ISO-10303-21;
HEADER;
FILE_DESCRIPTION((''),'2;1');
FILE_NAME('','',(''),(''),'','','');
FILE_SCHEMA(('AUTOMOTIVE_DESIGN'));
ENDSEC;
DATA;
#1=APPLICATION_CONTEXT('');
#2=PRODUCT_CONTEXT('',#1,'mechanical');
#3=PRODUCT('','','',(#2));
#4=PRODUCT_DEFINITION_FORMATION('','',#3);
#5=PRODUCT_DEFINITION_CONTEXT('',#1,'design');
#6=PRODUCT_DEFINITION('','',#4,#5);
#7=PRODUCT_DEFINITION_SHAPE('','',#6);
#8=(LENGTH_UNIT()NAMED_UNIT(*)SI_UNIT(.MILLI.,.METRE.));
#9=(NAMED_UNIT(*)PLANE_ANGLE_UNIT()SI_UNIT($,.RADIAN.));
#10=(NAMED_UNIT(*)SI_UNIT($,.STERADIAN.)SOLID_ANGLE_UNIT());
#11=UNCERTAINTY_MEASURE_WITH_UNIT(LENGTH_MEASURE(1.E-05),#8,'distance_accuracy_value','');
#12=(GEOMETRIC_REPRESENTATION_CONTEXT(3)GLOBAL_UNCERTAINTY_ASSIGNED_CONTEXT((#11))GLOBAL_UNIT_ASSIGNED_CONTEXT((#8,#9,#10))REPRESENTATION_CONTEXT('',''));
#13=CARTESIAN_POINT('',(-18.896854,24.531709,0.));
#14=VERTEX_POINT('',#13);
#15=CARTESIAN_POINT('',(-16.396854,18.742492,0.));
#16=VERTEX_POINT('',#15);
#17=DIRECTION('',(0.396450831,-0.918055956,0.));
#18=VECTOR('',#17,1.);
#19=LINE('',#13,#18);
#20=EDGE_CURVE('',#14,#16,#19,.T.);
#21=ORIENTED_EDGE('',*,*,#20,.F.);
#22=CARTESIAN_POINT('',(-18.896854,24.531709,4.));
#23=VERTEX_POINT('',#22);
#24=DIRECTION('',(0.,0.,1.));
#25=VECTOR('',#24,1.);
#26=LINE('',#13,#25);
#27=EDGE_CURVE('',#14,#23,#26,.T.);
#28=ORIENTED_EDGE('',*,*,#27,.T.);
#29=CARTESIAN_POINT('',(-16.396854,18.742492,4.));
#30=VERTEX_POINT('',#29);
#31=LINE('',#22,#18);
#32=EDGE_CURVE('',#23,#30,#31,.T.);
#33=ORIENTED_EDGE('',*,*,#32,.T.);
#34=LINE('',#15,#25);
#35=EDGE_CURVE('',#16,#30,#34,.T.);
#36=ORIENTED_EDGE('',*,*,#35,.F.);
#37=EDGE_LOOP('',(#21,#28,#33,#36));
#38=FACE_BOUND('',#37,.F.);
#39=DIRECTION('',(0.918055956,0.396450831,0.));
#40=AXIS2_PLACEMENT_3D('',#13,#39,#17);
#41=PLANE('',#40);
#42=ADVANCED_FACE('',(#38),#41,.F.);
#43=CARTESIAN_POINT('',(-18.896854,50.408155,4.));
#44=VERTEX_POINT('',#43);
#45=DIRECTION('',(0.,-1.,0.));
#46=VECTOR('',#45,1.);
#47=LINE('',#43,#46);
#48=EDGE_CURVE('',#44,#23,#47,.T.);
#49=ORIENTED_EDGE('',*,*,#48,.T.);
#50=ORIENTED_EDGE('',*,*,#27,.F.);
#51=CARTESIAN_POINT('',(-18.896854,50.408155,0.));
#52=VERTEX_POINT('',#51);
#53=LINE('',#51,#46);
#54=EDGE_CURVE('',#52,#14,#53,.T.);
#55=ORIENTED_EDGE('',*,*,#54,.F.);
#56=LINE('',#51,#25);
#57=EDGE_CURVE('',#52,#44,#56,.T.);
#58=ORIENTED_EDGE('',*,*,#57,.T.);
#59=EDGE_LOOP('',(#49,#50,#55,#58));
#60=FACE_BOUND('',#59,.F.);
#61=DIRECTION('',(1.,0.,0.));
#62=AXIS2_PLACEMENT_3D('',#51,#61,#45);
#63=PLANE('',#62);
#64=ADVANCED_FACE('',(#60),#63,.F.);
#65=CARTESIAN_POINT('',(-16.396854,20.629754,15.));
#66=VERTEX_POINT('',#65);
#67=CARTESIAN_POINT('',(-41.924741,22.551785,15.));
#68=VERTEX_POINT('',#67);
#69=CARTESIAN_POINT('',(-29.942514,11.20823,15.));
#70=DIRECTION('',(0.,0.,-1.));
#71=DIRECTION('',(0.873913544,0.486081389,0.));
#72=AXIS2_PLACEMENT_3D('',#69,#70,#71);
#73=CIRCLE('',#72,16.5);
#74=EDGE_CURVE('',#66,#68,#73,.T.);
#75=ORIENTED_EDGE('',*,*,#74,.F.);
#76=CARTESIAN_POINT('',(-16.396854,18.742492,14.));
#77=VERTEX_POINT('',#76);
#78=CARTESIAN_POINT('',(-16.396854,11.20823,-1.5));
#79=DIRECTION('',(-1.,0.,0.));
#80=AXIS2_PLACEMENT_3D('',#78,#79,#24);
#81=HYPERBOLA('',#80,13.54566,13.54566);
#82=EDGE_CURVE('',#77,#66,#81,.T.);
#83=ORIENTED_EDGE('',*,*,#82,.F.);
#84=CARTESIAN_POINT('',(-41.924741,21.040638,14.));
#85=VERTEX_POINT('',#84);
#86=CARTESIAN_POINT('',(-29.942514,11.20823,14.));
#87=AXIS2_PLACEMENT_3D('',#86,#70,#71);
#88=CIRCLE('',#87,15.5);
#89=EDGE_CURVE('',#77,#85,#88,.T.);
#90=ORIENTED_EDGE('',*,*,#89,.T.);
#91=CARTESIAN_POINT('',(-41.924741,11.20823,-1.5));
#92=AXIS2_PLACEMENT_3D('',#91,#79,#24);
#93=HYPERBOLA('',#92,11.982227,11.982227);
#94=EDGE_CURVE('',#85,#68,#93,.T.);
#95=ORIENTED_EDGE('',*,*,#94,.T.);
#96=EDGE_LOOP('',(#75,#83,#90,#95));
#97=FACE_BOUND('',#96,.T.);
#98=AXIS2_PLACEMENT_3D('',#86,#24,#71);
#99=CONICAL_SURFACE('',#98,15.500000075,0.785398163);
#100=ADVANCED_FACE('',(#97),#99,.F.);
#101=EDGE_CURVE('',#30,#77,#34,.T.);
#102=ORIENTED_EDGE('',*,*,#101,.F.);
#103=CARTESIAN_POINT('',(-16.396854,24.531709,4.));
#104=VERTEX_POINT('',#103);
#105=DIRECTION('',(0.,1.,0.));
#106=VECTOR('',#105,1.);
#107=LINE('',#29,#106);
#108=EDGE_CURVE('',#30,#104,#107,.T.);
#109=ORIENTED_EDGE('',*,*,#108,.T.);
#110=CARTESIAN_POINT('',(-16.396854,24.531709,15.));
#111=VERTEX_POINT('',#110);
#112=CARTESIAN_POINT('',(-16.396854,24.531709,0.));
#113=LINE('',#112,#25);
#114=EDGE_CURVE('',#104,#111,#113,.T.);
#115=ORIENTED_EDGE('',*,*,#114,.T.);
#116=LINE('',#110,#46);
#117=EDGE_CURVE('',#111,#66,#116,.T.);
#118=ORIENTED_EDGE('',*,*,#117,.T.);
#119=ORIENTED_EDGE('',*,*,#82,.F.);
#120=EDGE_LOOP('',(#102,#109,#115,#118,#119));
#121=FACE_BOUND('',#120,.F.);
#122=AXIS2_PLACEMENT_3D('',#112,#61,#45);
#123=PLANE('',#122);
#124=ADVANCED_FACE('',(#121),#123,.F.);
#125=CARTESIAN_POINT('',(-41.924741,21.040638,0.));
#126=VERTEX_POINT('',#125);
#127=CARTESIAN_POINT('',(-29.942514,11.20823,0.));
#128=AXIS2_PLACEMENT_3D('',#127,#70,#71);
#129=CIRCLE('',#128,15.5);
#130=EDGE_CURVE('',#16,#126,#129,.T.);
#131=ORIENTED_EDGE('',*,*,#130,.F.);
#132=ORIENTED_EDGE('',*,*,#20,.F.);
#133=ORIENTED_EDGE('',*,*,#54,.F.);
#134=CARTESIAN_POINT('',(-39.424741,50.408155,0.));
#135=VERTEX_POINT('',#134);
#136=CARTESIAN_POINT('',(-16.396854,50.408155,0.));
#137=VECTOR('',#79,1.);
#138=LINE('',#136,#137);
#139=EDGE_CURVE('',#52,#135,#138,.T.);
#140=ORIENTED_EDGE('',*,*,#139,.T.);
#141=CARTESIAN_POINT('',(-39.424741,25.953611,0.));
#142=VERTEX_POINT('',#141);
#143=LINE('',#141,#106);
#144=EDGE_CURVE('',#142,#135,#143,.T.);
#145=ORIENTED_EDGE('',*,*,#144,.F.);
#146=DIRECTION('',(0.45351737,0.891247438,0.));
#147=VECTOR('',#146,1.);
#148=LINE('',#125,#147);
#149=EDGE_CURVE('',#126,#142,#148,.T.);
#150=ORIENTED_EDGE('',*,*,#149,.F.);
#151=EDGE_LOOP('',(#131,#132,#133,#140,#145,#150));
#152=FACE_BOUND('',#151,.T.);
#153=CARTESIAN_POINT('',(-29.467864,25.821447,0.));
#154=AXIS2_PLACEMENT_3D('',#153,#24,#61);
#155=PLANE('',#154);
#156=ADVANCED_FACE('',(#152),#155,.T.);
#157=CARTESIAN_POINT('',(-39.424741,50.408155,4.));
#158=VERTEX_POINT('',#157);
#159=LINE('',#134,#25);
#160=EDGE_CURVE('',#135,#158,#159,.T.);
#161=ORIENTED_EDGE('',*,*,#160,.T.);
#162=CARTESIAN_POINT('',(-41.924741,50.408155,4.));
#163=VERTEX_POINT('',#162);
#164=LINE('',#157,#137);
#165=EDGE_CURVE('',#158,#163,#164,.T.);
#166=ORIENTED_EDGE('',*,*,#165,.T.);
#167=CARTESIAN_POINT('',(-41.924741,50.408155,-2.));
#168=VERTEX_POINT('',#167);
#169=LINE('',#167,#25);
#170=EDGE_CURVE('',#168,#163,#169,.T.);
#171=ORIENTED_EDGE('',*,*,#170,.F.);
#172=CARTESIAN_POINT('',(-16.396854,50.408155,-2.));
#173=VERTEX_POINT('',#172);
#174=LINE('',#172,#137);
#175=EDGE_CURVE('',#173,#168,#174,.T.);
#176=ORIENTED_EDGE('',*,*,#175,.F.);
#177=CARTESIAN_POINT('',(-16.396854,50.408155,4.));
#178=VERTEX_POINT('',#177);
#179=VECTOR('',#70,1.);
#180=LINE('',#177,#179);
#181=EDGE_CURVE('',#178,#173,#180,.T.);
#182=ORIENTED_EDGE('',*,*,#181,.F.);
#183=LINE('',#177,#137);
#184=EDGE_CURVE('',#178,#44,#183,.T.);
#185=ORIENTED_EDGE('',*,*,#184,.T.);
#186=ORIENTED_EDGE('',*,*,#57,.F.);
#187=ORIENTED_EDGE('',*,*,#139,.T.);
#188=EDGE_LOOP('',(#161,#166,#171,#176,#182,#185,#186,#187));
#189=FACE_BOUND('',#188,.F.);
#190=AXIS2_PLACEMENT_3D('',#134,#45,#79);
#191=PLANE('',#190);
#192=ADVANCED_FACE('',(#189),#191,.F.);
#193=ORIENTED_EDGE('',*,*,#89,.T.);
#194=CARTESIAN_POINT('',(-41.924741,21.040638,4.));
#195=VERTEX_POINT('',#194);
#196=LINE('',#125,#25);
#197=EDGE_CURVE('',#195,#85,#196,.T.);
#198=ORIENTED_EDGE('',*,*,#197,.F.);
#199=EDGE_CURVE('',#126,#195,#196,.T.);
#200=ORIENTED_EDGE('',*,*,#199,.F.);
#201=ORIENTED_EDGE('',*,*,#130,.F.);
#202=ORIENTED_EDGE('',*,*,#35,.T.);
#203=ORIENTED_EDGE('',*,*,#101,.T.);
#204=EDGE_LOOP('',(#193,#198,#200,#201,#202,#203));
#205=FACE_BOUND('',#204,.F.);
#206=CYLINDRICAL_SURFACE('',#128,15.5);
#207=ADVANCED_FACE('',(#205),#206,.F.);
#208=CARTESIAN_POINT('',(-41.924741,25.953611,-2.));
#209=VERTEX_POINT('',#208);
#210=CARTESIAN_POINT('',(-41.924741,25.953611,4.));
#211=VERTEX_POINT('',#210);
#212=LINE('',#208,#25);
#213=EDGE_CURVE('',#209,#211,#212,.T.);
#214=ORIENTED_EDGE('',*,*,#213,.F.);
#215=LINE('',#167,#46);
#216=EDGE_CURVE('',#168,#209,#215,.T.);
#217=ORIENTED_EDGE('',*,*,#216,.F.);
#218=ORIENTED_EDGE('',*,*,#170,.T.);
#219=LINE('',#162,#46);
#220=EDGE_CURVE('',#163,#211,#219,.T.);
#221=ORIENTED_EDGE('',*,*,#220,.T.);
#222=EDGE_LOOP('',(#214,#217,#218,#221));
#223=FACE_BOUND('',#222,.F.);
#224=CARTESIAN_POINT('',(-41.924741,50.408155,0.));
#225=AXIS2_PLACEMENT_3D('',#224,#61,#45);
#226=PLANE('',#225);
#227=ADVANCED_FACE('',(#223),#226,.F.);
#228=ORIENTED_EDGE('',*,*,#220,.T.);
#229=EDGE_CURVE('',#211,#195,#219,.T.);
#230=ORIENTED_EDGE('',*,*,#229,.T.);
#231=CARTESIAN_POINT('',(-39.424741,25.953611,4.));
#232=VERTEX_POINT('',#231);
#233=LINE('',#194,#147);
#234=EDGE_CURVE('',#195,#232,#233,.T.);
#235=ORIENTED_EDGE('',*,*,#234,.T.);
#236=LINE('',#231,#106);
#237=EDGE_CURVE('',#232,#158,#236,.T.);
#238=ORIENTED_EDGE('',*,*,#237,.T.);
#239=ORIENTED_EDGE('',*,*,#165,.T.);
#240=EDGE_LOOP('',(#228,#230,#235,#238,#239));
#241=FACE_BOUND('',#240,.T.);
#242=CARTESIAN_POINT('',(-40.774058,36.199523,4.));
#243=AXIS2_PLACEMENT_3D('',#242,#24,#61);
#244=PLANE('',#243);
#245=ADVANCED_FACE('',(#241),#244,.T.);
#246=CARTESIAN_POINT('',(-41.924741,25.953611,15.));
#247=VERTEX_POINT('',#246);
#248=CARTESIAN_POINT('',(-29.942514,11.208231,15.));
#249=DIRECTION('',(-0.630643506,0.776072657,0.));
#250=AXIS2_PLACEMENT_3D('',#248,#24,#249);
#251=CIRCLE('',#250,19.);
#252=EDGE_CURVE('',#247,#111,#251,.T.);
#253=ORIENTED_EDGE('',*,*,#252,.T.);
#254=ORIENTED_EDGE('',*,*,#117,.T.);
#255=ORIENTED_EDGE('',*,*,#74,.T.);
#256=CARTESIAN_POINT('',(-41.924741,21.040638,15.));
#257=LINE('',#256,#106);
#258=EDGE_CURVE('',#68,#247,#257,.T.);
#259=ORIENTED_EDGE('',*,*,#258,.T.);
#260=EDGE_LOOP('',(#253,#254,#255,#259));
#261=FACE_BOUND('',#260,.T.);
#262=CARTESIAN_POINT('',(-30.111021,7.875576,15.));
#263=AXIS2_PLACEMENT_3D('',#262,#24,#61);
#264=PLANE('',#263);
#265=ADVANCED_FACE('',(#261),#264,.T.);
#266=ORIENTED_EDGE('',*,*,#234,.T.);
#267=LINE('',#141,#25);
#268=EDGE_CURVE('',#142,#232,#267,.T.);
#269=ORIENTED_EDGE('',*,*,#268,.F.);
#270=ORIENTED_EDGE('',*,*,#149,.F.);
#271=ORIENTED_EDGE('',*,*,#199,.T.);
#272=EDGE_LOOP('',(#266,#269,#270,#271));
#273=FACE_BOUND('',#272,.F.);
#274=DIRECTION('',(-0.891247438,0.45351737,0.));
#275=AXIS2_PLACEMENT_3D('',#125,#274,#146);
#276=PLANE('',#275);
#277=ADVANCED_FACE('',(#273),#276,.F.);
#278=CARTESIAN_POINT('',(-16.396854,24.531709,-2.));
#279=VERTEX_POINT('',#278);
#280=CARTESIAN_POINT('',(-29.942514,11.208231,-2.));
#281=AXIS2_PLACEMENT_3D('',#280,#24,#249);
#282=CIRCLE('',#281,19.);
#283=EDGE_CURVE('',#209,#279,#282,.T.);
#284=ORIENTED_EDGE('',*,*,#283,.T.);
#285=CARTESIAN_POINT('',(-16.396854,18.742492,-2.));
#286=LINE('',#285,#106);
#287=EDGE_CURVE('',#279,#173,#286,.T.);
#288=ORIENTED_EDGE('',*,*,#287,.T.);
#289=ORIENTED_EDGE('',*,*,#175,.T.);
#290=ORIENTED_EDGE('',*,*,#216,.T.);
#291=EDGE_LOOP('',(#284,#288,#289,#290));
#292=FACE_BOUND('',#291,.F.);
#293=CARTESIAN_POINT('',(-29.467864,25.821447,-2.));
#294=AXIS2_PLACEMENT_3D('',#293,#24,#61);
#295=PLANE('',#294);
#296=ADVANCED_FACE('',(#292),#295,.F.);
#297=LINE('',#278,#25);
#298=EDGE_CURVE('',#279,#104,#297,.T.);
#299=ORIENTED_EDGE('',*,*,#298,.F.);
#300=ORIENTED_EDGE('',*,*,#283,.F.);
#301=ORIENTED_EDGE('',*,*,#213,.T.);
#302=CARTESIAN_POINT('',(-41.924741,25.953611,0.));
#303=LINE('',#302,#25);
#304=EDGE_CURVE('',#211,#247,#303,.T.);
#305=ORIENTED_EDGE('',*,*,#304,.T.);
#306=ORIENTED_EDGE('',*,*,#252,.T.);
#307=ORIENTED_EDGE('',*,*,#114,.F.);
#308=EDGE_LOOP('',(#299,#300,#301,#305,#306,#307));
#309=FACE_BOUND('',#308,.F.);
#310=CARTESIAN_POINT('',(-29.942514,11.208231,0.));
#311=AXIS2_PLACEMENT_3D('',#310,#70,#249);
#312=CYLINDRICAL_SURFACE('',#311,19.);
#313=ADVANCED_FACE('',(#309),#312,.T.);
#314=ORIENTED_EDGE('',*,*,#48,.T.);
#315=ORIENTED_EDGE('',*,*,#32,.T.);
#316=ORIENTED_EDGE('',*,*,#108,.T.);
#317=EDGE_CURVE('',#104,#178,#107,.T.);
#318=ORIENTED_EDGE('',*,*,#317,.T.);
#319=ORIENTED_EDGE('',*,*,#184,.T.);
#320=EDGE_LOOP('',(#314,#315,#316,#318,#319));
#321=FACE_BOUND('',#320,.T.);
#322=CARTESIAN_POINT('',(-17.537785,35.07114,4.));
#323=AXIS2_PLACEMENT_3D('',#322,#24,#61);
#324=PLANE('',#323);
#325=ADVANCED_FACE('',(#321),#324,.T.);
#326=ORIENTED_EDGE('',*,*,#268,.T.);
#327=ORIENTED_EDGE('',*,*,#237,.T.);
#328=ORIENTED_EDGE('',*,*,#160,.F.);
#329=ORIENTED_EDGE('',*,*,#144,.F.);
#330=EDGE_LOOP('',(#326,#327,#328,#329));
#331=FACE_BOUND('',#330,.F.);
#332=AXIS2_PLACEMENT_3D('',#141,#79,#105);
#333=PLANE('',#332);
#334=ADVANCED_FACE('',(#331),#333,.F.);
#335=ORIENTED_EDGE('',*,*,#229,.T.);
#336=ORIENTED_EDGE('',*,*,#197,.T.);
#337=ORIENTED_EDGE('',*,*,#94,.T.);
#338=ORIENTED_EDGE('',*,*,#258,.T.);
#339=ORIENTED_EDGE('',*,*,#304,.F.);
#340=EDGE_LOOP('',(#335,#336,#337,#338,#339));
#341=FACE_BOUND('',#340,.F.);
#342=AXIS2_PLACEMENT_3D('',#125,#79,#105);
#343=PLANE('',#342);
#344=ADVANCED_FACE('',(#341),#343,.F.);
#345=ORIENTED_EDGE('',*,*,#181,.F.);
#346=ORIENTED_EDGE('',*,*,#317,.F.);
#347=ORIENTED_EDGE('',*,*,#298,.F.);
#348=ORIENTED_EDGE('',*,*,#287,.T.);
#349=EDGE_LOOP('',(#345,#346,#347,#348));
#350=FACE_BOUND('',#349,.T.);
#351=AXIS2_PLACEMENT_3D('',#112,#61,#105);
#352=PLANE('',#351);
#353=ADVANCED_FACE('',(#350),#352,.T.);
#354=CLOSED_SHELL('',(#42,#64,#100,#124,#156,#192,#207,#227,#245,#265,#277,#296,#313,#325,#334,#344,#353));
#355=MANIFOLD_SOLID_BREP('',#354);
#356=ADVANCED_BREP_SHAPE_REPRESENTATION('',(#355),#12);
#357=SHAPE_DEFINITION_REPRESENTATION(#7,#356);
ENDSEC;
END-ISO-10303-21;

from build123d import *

# Parameters (mm, degrees)
F1_DEPTH = 2
F2_DEPTH = 15
F4_DEPTH = 4
F5_SIZE  = 1


with BuildPart() as f1:
    # F0 (on Top) → F1 (new body)
    with BuildSketch(Plane.XY):
        with BuildLine():
            Line((-41.924741, 25.953611), (-41.924741, 21.040638))
            ThreePointArc((-41.924741, 21.040638), (-31.332281, -4.229339), (-16.396854, 18.742492))
            Line((-16.396854, 18.742492), (-16.396854, 24.531709))
            Line((-16.396854, 24.531709), (-16.396854, 50.408155))
            Line((-16.396854, 50.408155), (-41.924741, 50.408155))
            Line((-41.924741, 50.408155), (-41.924741, 25.953611))
        make_face()
        with BuildLine():
            ThreePointArc((-16.396854, 18.742492), (-31.332281, -4.229339), (-41.924741, 21.040638))
            Line((-41.924741, 21.040638), (-41.924741, 25.953611))
            ThreePointArc((-41.924741, 25.953611), (-30.999175, -7.762364), (-16.396854, 24.531709))
            Line((-16.396854, 24.531709), (-16.396854, 18.742492))
        make_face()
    extrude(amount=-F1_DEPTH)

    # F0 (on Top) → F2 (join)
    with BuildSketch(Plane.XY):
        with BuildLine():
            ThreePointArc((-16.396854, 18.742492), (-31.332281, -4.229339), (-41.924741, 21.040638))
            Line((-41.924741, 21.040638), (-41.924741, 25.953611))
            ThreePointArc((-41.924741, 25.953611), (-30.999175, -7.762364), (-16.396854, 24.531709))
            Line((-16.396854, 24.531709), (-16.396854, 18.742492))
        make_face()
    extrude(amount=F2_DEPTH)

    # F3 (on Top) → F4 (join)
    with BuildSketch(Plane.XY):
        Polygon((-39.424741, 47.908155), (-39.424741, 50.408155), (-41.924741, 50.408155), (-41.924741, 25.953611), (-41.924741, 21.040638), (-39.424741, 25.953611), align=None)
        Polygon((-16.396854, 24.531709), (-16.396854, 50.408155), (-18.896854, 50.408155), (-18.896854, 47.908155), (-18.896854, 24.531709), (-16.396854, 18.742492), align=None)
    extrude(amount=F4_DEPTH)

    # F5
    f5_edges = [f1.edges().sort_by_distance(p)[0] for p in [
        (-31.332281, -4.229339, 15),
    ]]
    chamfer(f5_edges, length=F5_SIZE)


solid = f1.part
